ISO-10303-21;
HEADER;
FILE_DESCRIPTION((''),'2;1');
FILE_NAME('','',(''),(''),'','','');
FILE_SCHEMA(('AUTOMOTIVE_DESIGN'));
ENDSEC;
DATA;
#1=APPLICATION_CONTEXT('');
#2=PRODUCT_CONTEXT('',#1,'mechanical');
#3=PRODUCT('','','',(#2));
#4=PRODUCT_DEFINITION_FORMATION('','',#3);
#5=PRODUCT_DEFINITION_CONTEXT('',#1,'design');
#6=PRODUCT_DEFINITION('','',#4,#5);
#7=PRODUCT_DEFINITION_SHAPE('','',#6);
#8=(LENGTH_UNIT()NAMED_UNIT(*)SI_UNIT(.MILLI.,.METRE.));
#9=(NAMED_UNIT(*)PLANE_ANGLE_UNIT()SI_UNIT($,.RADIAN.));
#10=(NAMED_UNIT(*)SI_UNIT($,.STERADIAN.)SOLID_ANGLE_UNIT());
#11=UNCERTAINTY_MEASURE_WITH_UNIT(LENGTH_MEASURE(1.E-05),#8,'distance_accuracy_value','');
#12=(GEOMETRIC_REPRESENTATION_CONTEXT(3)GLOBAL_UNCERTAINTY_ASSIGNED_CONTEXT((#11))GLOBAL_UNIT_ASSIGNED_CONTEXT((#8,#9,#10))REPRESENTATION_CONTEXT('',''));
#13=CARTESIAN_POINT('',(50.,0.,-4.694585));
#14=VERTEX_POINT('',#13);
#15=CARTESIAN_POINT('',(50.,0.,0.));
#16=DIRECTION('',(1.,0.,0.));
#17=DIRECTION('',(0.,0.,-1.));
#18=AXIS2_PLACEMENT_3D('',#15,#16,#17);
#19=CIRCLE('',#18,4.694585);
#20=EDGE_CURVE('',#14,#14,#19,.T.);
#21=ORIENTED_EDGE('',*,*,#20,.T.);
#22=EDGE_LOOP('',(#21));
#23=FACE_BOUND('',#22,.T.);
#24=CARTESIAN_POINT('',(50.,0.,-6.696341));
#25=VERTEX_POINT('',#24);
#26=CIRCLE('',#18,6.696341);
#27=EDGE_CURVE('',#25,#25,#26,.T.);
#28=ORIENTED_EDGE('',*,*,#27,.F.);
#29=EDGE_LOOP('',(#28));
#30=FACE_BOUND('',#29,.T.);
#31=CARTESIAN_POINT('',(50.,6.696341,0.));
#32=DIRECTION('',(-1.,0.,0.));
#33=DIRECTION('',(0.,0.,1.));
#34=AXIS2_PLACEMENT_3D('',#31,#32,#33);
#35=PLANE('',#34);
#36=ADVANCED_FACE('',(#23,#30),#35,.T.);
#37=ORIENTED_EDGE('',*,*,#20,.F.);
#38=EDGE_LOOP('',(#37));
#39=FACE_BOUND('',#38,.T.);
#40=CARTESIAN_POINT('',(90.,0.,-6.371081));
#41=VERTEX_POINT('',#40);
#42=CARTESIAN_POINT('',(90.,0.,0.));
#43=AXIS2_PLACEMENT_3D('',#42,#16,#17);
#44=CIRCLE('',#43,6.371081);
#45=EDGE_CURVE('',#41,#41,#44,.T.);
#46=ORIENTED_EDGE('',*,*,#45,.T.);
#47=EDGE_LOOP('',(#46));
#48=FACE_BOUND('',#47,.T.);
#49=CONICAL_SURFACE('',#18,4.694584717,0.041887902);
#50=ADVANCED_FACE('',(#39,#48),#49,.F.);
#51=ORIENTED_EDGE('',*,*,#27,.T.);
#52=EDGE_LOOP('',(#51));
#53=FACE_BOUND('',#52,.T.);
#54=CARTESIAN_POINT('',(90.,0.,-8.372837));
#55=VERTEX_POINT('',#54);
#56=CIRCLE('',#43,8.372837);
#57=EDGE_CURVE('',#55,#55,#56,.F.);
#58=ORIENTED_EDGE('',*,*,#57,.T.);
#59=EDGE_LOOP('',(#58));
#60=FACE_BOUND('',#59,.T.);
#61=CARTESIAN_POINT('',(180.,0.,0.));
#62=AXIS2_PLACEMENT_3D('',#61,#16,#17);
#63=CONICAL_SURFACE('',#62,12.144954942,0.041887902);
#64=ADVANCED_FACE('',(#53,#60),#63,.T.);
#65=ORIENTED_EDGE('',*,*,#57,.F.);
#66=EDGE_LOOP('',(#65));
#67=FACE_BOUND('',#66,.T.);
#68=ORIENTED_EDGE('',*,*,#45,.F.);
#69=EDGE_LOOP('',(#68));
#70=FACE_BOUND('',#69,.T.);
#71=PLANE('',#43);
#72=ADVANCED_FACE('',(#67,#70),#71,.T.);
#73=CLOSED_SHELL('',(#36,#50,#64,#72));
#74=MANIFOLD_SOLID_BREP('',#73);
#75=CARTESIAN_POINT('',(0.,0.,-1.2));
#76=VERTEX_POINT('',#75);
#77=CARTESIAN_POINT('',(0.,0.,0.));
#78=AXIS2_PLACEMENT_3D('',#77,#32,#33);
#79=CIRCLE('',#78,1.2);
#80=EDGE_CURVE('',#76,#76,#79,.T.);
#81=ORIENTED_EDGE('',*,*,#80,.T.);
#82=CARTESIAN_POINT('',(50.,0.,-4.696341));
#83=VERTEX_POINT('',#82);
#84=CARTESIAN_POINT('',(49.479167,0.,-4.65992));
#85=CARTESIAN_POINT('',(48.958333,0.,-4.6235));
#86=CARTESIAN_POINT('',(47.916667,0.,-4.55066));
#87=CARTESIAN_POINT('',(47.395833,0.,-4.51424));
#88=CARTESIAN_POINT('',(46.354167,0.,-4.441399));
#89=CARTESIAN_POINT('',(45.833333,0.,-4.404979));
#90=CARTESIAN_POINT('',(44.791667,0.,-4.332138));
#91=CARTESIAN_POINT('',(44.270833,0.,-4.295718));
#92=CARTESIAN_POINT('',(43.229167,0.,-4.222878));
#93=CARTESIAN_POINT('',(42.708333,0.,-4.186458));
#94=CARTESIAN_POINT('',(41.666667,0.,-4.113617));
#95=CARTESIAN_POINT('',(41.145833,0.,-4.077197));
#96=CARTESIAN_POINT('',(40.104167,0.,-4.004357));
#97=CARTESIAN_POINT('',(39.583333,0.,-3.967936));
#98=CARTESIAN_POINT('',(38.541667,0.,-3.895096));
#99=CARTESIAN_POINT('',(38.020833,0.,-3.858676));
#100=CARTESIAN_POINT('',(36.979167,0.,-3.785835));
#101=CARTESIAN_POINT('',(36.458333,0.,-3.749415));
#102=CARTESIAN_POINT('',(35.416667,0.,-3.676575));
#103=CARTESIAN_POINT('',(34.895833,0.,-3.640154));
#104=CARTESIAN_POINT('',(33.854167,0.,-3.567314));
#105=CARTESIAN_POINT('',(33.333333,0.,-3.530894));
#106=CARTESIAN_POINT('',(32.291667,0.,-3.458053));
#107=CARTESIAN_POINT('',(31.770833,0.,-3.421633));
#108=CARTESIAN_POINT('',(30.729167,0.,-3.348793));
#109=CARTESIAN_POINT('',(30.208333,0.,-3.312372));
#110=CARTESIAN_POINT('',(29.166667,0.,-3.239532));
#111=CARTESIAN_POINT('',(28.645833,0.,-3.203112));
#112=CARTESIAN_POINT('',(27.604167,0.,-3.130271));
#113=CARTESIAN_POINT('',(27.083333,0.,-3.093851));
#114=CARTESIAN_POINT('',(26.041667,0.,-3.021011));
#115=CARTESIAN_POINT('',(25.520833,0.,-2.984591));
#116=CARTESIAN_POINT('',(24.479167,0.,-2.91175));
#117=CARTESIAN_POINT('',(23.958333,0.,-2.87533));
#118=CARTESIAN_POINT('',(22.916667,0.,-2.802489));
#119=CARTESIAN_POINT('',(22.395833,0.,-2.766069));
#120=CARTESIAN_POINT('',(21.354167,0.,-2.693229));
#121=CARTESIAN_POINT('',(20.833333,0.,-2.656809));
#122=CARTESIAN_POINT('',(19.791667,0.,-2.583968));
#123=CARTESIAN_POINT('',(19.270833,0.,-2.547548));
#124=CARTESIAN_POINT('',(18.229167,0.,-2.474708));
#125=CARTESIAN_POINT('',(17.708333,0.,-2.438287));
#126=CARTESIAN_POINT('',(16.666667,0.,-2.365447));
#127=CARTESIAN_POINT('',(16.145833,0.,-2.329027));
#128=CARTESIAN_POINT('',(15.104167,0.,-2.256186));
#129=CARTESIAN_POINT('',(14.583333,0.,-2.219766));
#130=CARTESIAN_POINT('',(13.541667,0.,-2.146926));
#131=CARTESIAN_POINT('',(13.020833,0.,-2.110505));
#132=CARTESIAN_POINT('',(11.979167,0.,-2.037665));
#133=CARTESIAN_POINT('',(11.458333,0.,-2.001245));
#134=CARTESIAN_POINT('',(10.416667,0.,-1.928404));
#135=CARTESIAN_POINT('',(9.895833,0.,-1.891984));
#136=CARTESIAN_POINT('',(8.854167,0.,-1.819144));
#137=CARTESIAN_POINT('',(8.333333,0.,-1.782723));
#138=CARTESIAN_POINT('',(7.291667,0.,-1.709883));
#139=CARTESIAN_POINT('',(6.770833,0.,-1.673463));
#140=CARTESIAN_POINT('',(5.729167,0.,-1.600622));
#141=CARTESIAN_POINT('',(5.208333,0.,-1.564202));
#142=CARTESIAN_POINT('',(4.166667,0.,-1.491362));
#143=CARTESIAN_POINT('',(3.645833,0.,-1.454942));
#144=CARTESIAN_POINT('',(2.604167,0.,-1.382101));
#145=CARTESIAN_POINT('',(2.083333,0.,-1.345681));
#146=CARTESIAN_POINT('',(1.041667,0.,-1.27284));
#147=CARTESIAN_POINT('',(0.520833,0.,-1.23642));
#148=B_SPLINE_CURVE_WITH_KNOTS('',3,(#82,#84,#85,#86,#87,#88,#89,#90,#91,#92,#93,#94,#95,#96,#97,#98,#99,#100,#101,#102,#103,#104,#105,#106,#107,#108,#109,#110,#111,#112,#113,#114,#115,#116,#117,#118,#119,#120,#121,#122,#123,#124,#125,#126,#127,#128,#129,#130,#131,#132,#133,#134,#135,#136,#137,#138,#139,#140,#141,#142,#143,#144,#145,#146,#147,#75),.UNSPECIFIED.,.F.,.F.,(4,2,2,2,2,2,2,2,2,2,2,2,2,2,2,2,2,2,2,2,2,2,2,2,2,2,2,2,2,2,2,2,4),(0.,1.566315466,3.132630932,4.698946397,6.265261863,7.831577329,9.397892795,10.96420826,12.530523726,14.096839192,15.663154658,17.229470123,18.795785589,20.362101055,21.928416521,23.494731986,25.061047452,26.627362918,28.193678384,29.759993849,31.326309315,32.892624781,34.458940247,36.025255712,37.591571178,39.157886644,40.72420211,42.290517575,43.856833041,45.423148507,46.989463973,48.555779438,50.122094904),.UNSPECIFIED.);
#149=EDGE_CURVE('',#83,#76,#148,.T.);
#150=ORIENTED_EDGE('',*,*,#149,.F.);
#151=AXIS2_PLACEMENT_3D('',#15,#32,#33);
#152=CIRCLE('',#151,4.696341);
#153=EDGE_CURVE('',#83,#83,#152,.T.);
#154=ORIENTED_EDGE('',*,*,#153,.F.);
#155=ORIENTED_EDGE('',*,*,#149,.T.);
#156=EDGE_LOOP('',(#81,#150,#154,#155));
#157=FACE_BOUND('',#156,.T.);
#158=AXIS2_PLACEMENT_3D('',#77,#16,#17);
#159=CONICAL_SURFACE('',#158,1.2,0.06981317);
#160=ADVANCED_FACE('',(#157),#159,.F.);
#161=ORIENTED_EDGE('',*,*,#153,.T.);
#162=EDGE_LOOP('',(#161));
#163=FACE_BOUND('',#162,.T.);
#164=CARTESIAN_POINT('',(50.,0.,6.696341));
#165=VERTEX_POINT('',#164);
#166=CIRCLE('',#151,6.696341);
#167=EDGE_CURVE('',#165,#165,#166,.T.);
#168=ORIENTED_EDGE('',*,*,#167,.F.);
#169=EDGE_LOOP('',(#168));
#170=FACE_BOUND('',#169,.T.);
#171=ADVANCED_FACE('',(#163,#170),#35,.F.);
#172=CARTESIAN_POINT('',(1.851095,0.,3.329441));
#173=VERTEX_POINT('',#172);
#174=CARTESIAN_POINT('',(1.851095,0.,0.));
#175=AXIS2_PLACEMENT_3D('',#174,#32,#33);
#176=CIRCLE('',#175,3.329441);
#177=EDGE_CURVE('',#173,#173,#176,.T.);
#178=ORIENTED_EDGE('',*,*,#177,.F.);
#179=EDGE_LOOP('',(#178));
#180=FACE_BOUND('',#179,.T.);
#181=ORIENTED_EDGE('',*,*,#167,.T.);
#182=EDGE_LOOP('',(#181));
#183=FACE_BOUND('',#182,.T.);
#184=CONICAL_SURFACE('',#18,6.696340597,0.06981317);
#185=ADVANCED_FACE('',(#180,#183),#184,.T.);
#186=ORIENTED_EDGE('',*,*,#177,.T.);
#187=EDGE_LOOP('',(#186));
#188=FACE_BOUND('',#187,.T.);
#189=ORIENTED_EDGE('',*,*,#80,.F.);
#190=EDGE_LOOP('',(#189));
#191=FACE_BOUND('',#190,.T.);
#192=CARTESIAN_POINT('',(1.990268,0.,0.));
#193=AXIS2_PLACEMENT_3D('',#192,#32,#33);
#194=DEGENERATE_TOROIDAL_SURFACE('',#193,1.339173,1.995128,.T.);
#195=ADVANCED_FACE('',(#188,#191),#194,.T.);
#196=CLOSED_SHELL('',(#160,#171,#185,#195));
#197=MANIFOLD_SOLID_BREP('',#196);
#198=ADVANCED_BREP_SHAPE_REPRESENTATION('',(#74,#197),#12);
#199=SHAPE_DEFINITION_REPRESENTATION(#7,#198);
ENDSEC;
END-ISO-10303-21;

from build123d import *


with BuildPart() as part:
    # Sketch2 → Revolve2 (revolve)
    with BuildSketch(Plane.XY, mode=Mode.PRIVATE) as revolve2_sk:
        with BuildLine():
            Line((0, 1.2), (50, 4.696340597))
            Line((50, 4.696340597), (50, 6.696340597))
            Line((50, 6.696340597), (1.851094968, 3.32944117))
            ThreePointArc((1.851094968, 3.32944117), (0.484525778, 2.648094905), (0, 1.2))
        make_face()
    revolve(revolve2_sk.sketch.rotate(Axis((-19.275847123, 0, 0), (1, 0, 0)), 90), axis=Axis((-19.275847123, 0, 0), (1, 0, 0)))


with BuildPart() as body_2:
    # Sketch3 → Revolve3 (revolve)
    with BuildSketch(Plane.XY, mode=Mode.PRIVATE) as revolve3_sk:
        Polygon((50, 4.694584717), (180, 10.143199062), (180, 12.144954942), (50, 6.696340597), align=None)
    revolve(revolve3_sk.sketch.rotate(Axis((50, 0, 0), (-1, 0, 0)), 90), axis=Axis((50, 0, 0), (-1, 0, 0)))

    # SurfaceCut1
    split(bisect_by=Plane(origin=(90, 0, 0), x_dir=(0, 0, -1), z_dir=(1, 0, 0)), keep=Keep.BOTTOM)


solid = Compound([part.part, body_2.part])
